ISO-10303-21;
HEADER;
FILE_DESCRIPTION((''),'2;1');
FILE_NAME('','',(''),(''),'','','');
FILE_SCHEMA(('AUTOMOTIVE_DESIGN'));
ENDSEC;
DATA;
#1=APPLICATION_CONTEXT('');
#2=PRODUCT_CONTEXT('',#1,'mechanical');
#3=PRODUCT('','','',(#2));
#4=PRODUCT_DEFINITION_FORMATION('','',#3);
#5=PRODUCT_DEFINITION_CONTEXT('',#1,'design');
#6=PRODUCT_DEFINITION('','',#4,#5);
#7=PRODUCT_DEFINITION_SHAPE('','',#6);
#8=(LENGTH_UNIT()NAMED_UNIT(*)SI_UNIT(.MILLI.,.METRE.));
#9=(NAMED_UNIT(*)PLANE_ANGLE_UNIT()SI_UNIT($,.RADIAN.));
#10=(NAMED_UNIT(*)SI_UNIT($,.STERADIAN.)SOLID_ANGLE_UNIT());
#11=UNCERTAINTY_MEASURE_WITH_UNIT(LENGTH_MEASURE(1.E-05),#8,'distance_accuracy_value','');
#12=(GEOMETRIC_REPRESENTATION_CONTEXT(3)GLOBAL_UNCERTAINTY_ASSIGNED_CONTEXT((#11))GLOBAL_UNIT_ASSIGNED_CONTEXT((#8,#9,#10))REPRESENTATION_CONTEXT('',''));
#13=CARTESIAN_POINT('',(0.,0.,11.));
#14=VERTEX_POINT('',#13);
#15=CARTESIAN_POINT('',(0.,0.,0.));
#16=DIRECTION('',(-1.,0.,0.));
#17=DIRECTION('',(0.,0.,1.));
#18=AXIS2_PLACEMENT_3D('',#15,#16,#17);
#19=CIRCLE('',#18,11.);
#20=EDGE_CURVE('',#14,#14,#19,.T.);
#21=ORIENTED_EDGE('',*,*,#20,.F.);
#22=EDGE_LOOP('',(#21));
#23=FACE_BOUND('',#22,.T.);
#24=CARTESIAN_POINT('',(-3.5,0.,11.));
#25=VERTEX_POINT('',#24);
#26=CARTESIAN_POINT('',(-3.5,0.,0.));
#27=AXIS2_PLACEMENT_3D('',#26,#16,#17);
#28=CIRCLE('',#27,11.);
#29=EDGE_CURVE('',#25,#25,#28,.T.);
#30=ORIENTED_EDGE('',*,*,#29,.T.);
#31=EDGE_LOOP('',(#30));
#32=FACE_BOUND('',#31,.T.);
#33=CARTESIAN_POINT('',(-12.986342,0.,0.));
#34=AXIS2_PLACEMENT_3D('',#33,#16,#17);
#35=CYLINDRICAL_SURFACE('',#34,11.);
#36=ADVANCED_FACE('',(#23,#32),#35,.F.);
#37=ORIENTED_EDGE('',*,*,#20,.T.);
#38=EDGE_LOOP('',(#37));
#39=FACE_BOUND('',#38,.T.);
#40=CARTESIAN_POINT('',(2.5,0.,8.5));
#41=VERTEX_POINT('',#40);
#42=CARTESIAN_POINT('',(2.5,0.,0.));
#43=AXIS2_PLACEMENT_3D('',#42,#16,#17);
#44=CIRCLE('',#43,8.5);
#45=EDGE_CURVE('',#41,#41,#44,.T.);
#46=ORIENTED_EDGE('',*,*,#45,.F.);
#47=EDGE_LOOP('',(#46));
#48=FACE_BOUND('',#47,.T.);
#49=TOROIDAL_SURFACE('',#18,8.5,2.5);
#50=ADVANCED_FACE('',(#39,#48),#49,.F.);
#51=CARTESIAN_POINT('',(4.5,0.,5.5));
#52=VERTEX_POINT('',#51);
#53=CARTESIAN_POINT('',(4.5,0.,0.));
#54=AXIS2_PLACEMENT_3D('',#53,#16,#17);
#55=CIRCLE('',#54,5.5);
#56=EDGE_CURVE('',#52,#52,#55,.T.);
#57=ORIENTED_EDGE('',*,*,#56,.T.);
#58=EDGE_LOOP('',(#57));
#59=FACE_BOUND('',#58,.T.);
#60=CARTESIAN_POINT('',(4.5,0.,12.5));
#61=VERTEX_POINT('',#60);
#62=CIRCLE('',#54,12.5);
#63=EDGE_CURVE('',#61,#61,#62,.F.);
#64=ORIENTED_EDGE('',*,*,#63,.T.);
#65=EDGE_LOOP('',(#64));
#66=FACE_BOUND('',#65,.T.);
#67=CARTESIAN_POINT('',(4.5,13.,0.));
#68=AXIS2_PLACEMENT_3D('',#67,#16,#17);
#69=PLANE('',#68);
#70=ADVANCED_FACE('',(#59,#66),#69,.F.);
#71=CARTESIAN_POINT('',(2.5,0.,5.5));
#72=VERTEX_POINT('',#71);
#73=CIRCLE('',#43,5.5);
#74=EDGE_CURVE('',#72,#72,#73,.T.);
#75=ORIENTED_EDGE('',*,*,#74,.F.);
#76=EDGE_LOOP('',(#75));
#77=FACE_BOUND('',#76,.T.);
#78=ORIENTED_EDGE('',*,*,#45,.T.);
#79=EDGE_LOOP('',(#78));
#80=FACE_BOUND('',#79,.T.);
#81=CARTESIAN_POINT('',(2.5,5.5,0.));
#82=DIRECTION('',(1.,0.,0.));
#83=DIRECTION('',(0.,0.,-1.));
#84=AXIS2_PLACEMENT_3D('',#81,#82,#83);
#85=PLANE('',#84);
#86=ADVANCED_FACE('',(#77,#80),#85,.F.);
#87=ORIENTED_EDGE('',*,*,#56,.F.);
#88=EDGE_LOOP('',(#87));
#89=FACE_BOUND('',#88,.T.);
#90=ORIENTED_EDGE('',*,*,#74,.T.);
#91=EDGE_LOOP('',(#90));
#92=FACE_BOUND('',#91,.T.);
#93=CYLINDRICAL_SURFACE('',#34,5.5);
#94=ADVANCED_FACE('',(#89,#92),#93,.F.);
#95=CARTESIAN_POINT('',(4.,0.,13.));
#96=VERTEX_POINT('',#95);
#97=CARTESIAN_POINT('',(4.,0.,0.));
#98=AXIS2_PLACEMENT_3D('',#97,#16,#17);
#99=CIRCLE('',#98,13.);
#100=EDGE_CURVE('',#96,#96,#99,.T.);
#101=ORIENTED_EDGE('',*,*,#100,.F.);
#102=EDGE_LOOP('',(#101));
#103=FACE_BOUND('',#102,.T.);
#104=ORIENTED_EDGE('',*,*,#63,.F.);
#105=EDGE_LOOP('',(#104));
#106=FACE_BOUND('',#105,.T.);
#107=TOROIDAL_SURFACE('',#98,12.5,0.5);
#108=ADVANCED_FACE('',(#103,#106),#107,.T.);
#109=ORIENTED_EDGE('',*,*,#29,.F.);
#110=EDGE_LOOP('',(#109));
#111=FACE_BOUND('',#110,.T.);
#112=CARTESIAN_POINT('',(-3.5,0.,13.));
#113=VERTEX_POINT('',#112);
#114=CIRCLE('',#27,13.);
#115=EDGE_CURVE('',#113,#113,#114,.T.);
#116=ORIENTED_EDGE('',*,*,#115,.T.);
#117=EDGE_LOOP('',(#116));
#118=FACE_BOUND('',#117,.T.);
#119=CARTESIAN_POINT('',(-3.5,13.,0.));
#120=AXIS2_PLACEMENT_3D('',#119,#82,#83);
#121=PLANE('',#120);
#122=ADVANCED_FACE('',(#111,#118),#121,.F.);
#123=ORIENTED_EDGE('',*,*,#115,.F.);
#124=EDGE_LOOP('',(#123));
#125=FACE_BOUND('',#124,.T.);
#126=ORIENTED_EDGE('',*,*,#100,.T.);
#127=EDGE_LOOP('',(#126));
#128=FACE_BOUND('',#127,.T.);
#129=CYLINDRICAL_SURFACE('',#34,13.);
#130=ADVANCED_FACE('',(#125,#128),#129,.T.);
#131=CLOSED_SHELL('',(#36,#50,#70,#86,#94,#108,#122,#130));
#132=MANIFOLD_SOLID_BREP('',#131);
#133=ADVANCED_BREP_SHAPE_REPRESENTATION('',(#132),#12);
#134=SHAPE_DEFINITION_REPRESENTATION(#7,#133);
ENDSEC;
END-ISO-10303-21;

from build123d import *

# Parameters (mm, degrees)
CONG_1_R = 0.5


with BuildPart() as part:
    # Esquisse1 → Révolution1 (revolve)
    with BuildSketch(Plane.XY, mode=Mode.PRIVATE) as r_volution1_sk:
        with BuildLine():
            Line((-3.5, 13), (4.5, 13))
            Line((4.5, 13), (4.5, 5.5))
            Line((4.5, 5.5), (2.5, 5.5))
            Line((2.5, 5.5), (2.5, 8.5))
            ThreePointArc((2.5, 8.5), (1.767766953, 10.267766953), (0, 11))
            Line((0, 11), (-3.5, 11))
            Line((-3.5, 11), (-3.5, 13))
        make_face()
    revolve(r_volution1_sk.sketch.rotate(Axis((-12.986342457, 0, 0), (1, 0, 0)), 90), axis=Axis((-12.986342457, 0, 0), (1, 0, 0)))  # turned: the seam where the file's is

    # Congé1
    cong_1_edges = [part.edges().sort_by_distance(p)[0] for p in [
        (4.5, 0, -13),
    ]]
    fillet(cong_1_edges, radius=CONG_1_R)


solid = part.part
